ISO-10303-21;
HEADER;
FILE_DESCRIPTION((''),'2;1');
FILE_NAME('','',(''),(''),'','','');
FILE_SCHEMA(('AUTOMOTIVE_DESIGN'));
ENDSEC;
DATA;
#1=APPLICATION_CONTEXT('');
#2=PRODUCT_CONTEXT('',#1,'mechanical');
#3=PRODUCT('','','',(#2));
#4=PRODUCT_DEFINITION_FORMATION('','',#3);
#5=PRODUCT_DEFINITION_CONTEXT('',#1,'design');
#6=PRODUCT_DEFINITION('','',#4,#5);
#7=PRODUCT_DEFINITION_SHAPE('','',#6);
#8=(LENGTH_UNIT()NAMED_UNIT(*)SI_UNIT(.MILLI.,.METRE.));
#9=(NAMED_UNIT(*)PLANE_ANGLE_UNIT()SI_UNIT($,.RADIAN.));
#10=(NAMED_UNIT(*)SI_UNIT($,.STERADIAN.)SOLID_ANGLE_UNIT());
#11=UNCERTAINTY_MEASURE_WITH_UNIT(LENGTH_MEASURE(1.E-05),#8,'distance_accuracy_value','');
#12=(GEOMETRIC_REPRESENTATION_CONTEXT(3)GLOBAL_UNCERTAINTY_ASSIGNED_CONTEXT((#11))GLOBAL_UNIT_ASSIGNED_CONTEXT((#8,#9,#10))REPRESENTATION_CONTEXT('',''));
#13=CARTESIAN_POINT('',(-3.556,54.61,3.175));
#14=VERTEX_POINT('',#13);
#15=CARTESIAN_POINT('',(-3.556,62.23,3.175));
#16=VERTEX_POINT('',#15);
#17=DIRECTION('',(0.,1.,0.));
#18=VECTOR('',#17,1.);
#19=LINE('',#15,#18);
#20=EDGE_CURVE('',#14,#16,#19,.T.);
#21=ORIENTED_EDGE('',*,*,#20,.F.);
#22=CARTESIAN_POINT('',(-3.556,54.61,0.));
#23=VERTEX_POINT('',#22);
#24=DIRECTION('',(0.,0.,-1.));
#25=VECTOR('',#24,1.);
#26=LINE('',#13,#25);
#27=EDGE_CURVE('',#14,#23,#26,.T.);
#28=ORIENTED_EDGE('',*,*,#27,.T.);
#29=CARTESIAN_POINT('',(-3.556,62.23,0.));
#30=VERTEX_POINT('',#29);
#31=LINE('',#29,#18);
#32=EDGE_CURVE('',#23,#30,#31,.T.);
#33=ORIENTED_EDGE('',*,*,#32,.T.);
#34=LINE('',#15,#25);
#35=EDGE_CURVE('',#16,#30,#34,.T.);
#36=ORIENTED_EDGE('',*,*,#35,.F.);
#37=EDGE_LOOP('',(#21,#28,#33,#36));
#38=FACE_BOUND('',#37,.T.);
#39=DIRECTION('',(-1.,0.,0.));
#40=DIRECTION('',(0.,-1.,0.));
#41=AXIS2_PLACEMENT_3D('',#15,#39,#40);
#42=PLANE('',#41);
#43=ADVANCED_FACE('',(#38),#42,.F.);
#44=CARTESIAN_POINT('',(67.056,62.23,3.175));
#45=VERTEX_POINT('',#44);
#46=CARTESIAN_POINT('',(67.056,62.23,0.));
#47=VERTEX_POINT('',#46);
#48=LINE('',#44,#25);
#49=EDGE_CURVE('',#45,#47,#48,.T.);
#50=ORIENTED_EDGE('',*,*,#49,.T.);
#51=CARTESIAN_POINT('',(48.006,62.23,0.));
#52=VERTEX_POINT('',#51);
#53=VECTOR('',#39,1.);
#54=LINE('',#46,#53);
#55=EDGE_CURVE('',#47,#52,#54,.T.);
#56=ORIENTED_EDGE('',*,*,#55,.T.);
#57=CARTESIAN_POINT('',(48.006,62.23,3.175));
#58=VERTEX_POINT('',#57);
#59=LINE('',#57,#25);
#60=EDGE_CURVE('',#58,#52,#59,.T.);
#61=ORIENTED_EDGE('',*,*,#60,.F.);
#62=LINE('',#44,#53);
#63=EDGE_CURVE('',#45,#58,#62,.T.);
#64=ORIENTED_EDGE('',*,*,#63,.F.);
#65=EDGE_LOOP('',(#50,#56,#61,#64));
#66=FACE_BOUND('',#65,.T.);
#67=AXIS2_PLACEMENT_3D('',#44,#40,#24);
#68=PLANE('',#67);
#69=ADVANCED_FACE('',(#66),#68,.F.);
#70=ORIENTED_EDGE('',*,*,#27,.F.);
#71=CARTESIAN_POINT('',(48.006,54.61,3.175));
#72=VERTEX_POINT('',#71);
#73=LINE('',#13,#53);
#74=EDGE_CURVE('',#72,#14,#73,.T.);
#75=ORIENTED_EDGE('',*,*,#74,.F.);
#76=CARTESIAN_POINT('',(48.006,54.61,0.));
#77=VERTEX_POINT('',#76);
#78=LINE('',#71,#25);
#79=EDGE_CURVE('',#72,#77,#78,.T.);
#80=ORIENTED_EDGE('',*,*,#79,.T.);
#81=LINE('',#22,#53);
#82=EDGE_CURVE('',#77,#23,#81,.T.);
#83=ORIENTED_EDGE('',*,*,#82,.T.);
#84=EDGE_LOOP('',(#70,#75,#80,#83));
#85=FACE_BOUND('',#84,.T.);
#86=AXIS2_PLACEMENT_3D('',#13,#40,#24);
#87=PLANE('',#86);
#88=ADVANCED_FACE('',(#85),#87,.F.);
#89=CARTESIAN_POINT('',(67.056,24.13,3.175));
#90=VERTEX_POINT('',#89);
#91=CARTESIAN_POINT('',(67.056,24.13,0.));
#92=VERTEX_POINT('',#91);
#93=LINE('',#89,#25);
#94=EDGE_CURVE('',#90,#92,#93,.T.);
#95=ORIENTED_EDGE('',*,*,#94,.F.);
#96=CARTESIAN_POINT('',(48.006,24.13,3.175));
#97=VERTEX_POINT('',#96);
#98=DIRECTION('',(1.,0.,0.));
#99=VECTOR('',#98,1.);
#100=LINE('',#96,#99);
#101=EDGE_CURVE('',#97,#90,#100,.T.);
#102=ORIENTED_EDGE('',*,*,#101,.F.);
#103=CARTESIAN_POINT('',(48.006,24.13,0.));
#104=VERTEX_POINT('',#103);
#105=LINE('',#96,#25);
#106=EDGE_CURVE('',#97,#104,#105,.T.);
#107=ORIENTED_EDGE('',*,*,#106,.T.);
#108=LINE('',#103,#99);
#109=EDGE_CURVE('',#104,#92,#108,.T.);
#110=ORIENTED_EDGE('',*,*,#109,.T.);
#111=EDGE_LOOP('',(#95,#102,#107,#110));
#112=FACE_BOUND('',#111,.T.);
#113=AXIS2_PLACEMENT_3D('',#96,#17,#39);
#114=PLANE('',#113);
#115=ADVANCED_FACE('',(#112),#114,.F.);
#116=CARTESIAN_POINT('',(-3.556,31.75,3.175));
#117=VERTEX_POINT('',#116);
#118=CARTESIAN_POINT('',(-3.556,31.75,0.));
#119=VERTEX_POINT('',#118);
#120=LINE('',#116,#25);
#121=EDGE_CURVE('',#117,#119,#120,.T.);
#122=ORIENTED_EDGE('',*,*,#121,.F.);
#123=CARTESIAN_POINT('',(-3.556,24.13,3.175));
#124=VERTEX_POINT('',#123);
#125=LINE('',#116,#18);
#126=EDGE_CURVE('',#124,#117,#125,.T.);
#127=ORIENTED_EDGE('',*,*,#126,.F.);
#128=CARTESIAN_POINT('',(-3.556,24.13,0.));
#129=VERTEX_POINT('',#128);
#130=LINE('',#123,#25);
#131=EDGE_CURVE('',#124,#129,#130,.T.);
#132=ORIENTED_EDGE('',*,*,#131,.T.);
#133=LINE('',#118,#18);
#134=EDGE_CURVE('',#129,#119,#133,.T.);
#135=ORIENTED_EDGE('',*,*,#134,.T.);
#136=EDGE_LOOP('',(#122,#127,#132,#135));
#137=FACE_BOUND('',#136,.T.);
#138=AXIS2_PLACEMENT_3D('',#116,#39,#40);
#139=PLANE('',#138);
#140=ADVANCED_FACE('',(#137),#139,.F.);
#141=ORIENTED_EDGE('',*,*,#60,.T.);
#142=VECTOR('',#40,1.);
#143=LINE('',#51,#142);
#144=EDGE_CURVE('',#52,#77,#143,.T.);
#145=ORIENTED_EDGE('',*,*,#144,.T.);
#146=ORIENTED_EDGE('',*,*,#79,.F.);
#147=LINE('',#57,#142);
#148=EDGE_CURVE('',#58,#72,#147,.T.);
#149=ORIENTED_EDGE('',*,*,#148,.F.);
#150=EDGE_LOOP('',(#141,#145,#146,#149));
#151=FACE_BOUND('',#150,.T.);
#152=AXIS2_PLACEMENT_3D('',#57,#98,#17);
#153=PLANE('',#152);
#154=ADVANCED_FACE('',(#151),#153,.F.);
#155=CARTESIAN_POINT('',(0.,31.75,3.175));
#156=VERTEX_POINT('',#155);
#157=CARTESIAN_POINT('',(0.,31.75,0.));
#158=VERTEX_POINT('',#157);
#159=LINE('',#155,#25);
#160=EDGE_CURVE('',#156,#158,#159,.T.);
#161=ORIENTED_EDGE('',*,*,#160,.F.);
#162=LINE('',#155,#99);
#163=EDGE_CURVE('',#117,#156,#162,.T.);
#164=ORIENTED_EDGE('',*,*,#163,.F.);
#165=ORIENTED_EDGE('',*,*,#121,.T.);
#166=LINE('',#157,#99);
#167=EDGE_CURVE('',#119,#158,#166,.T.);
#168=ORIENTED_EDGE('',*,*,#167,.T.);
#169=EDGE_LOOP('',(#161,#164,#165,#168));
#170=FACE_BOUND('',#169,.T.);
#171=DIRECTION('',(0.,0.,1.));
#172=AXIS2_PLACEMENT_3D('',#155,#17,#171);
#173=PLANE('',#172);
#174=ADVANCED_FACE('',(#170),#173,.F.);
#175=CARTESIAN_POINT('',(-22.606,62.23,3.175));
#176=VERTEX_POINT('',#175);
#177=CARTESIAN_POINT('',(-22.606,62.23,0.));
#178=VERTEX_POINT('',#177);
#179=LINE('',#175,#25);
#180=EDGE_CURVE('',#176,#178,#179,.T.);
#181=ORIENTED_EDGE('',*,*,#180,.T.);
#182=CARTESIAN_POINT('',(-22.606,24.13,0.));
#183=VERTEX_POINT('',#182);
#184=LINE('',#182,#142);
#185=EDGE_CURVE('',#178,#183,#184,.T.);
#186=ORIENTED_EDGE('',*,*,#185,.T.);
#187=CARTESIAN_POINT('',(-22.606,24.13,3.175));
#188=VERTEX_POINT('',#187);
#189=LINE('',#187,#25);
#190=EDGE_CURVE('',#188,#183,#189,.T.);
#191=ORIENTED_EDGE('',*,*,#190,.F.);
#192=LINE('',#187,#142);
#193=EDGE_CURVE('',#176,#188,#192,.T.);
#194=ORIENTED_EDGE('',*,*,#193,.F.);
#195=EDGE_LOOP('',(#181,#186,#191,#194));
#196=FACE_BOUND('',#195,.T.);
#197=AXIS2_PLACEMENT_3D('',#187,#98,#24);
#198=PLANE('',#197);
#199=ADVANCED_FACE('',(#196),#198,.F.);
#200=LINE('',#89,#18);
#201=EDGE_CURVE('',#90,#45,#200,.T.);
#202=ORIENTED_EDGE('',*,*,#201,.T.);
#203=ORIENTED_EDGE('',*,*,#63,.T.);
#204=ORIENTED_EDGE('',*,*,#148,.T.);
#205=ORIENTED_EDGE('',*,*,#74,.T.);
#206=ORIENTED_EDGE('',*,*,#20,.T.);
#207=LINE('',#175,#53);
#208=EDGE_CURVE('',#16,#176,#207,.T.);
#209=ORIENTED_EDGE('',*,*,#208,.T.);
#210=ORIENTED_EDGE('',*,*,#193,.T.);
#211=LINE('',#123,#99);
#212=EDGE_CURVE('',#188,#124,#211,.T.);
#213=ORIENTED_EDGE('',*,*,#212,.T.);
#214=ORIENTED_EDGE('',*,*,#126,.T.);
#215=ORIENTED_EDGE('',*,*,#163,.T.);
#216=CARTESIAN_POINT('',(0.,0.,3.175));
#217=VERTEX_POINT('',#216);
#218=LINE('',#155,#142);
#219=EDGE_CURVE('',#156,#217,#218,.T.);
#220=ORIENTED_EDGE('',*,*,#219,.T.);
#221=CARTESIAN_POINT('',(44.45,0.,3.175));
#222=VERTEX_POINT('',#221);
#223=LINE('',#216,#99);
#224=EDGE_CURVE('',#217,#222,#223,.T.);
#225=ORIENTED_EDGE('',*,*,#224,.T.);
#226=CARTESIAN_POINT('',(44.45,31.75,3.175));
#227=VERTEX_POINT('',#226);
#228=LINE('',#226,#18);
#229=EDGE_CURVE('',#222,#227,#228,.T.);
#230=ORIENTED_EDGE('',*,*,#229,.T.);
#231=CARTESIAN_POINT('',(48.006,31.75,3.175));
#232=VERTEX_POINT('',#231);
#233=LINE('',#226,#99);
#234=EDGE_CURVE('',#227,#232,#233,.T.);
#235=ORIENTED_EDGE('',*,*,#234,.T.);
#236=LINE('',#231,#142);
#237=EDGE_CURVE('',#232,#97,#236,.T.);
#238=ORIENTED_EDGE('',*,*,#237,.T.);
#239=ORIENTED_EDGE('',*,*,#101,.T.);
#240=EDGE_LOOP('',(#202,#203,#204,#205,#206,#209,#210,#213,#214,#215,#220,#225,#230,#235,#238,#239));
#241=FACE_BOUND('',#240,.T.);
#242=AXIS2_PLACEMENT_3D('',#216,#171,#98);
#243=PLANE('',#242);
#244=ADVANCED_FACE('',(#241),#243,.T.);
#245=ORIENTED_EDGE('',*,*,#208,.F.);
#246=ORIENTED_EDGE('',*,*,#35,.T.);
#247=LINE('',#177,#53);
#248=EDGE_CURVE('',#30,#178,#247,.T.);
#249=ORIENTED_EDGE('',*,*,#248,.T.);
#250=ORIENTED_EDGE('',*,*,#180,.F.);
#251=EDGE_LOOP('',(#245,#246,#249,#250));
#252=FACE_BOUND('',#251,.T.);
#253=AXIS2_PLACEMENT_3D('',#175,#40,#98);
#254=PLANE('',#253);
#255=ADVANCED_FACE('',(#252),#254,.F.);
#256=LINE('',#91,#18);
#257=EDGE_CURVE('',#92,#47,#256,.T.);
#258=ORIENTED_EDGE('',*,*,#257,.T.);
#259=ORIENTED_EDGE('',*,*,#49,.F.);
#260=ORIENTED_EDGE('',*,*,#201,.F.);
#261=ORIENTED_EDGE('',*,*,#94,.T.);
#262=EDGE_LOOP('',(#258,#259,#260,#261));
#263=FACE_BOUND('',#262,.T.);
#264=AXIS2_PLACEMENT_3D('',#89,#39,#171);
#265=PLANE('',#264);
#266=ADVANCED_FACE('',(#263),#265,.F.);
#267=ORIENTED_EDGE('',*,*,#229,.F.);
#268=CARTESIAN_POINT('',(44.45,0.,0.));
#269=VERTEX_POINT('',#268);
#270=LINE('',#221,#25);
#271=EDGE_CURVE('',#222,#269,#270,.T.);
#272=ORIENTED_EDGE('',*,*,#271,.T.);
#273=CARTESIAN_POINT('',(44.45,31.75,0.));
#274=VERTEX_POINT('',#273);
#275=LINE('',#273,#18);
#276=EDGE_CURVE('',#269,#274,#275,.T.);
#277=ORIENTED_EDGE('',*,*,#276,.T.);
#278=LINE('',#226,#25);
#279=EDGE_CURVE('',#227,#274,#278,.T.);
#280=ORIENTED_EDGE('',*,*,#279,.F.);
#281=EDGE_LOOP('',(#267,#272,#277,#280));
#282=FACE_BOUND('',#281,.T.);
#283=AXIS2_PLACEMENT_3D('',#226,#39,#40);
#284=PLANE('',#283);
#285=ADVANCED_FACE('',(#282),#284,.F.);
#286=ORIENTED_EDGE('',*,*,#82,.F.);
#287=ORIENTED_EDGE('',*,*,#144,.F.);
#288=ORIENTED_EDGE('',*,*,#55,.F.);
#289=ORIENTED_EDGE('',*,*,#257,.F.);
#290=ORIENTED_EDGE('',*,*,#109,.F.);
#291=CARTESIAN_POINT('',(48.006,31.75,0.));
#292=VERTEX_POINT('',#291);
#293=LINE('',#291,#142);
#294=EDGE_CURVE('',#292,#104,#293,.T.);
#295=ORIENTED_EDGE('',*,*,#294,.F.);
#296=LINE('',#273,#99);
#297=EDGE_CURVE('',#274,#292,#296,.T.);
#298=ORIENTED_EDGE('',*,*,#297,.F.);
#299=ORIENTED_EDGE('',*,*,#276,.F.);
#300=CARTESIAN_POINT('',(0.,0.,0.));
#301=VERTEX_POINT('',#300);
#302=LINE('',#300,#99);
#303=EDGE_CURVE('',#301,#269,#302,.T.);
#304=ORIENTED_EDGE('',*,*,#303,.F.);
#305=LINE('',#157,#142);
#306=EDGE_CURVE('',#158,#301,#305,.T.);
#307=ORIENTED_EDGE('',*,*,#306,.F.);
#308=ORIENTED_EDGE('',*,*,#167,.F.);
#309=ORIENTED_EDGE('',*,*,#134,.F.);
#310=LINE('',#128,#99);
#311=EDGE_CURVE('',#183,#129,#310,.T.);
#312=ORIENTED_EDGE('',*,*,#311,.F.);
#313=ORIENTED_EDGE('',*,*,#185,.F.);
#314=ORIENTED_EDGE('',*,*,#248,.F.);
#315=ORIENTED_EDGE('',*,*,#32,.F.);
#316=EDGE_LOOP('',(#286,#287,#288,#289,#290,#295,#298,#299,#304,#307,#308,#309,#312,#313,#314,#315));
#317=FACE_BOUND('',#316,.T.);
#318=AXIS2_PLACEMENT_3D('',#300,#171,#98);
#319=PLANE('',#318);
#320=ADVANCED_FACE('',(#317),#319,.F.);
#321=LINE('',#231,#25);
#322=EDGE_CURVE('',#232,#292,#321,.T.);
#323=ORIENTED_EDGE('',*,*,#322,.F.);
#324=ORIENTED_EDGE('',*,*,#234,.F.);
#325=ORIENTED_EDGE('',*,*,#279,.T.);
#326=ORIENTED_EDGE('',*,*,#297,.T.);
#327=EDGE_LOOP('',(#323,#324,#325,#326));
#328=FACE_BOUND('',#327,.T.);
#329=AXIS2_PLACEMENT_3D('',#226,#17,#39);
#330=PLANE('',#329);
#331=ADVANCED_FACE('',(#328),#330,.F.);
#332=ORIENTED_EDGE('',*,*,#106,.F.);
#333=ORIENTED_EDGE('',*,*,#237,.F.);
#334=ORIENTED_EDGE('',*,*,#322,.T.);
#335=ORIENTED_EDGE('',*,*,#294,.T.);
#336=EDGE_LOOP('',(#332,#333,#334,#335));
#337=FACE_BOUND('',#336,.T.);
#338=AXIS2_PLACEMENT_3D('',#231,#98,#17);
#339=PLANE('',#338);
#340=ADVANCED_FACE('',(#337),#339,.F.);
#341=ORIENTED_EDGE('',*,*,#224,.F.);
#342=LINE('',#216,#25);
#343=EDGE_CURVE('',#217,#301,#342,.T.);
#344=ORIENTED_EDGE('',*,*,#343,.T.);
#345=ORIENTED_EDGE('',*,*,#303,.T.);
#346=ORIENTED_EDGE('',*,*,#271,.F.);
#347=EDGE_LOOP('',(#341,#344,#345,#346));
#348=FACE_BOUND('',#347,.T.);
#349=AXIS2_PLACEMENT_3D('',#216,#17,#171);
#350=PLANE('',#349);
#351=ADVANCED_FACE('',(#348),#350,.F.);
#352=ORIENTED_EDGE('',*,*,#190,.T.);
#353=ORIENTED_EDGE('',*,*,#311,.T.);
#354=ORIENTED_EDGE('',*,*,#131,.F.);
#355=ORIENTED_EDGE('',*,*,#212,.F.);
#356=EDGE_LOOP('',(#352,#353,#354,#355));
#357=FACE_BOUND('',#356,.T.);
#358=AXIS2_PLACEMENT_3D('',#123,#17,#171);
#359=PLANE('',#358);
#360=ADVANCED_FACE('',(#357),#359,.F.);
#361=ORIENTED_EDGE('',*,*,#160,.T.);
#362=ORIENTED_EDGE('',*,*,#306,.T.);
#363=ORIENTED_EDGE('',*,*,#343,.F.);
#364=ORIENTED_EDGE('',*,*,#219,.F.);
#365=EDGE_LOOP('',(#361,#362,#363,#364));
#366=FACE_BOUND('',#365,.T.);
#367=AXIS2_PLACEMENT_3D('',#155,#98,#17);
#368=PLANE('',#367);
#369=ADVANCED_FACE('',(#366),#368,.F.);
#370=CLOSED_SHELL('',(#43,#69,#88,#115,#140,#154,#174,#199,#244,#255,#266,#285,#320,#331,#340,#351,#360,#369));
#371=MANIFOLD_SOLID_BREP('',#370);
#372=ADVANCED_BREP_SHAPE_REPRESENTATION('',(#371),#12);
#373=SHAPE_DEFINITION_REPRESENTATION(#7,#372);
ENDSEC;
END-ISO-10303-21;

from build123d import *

# Parameters (mm, degrees)
BOSS_EXTRUDE1_DEPTH = 3.175


with BuildPart() as part:
    # Sketch1 → Boss-Extrude1 (new body)
    with BuildSketch(Plane.XY):
        Polygon((-3.556, 54.61), (48.006, 54.61), (48.006, 62.23), (67.056, 62.23), (67.056, 24.13), (48.006, 24.13), (48.006, 31.75), (44.45, 31.75), (44.45, 0), (0, 0), (0, 31.75), (-3.556, 31.75), (-3.556, 24.13), (-22.606, 24.13), (-22.606, 62.23), (-3.556, 62.23), align=None)
    extrude(amount=BOSS_EXTRUDE1_DEPTH)


solid = part.part
